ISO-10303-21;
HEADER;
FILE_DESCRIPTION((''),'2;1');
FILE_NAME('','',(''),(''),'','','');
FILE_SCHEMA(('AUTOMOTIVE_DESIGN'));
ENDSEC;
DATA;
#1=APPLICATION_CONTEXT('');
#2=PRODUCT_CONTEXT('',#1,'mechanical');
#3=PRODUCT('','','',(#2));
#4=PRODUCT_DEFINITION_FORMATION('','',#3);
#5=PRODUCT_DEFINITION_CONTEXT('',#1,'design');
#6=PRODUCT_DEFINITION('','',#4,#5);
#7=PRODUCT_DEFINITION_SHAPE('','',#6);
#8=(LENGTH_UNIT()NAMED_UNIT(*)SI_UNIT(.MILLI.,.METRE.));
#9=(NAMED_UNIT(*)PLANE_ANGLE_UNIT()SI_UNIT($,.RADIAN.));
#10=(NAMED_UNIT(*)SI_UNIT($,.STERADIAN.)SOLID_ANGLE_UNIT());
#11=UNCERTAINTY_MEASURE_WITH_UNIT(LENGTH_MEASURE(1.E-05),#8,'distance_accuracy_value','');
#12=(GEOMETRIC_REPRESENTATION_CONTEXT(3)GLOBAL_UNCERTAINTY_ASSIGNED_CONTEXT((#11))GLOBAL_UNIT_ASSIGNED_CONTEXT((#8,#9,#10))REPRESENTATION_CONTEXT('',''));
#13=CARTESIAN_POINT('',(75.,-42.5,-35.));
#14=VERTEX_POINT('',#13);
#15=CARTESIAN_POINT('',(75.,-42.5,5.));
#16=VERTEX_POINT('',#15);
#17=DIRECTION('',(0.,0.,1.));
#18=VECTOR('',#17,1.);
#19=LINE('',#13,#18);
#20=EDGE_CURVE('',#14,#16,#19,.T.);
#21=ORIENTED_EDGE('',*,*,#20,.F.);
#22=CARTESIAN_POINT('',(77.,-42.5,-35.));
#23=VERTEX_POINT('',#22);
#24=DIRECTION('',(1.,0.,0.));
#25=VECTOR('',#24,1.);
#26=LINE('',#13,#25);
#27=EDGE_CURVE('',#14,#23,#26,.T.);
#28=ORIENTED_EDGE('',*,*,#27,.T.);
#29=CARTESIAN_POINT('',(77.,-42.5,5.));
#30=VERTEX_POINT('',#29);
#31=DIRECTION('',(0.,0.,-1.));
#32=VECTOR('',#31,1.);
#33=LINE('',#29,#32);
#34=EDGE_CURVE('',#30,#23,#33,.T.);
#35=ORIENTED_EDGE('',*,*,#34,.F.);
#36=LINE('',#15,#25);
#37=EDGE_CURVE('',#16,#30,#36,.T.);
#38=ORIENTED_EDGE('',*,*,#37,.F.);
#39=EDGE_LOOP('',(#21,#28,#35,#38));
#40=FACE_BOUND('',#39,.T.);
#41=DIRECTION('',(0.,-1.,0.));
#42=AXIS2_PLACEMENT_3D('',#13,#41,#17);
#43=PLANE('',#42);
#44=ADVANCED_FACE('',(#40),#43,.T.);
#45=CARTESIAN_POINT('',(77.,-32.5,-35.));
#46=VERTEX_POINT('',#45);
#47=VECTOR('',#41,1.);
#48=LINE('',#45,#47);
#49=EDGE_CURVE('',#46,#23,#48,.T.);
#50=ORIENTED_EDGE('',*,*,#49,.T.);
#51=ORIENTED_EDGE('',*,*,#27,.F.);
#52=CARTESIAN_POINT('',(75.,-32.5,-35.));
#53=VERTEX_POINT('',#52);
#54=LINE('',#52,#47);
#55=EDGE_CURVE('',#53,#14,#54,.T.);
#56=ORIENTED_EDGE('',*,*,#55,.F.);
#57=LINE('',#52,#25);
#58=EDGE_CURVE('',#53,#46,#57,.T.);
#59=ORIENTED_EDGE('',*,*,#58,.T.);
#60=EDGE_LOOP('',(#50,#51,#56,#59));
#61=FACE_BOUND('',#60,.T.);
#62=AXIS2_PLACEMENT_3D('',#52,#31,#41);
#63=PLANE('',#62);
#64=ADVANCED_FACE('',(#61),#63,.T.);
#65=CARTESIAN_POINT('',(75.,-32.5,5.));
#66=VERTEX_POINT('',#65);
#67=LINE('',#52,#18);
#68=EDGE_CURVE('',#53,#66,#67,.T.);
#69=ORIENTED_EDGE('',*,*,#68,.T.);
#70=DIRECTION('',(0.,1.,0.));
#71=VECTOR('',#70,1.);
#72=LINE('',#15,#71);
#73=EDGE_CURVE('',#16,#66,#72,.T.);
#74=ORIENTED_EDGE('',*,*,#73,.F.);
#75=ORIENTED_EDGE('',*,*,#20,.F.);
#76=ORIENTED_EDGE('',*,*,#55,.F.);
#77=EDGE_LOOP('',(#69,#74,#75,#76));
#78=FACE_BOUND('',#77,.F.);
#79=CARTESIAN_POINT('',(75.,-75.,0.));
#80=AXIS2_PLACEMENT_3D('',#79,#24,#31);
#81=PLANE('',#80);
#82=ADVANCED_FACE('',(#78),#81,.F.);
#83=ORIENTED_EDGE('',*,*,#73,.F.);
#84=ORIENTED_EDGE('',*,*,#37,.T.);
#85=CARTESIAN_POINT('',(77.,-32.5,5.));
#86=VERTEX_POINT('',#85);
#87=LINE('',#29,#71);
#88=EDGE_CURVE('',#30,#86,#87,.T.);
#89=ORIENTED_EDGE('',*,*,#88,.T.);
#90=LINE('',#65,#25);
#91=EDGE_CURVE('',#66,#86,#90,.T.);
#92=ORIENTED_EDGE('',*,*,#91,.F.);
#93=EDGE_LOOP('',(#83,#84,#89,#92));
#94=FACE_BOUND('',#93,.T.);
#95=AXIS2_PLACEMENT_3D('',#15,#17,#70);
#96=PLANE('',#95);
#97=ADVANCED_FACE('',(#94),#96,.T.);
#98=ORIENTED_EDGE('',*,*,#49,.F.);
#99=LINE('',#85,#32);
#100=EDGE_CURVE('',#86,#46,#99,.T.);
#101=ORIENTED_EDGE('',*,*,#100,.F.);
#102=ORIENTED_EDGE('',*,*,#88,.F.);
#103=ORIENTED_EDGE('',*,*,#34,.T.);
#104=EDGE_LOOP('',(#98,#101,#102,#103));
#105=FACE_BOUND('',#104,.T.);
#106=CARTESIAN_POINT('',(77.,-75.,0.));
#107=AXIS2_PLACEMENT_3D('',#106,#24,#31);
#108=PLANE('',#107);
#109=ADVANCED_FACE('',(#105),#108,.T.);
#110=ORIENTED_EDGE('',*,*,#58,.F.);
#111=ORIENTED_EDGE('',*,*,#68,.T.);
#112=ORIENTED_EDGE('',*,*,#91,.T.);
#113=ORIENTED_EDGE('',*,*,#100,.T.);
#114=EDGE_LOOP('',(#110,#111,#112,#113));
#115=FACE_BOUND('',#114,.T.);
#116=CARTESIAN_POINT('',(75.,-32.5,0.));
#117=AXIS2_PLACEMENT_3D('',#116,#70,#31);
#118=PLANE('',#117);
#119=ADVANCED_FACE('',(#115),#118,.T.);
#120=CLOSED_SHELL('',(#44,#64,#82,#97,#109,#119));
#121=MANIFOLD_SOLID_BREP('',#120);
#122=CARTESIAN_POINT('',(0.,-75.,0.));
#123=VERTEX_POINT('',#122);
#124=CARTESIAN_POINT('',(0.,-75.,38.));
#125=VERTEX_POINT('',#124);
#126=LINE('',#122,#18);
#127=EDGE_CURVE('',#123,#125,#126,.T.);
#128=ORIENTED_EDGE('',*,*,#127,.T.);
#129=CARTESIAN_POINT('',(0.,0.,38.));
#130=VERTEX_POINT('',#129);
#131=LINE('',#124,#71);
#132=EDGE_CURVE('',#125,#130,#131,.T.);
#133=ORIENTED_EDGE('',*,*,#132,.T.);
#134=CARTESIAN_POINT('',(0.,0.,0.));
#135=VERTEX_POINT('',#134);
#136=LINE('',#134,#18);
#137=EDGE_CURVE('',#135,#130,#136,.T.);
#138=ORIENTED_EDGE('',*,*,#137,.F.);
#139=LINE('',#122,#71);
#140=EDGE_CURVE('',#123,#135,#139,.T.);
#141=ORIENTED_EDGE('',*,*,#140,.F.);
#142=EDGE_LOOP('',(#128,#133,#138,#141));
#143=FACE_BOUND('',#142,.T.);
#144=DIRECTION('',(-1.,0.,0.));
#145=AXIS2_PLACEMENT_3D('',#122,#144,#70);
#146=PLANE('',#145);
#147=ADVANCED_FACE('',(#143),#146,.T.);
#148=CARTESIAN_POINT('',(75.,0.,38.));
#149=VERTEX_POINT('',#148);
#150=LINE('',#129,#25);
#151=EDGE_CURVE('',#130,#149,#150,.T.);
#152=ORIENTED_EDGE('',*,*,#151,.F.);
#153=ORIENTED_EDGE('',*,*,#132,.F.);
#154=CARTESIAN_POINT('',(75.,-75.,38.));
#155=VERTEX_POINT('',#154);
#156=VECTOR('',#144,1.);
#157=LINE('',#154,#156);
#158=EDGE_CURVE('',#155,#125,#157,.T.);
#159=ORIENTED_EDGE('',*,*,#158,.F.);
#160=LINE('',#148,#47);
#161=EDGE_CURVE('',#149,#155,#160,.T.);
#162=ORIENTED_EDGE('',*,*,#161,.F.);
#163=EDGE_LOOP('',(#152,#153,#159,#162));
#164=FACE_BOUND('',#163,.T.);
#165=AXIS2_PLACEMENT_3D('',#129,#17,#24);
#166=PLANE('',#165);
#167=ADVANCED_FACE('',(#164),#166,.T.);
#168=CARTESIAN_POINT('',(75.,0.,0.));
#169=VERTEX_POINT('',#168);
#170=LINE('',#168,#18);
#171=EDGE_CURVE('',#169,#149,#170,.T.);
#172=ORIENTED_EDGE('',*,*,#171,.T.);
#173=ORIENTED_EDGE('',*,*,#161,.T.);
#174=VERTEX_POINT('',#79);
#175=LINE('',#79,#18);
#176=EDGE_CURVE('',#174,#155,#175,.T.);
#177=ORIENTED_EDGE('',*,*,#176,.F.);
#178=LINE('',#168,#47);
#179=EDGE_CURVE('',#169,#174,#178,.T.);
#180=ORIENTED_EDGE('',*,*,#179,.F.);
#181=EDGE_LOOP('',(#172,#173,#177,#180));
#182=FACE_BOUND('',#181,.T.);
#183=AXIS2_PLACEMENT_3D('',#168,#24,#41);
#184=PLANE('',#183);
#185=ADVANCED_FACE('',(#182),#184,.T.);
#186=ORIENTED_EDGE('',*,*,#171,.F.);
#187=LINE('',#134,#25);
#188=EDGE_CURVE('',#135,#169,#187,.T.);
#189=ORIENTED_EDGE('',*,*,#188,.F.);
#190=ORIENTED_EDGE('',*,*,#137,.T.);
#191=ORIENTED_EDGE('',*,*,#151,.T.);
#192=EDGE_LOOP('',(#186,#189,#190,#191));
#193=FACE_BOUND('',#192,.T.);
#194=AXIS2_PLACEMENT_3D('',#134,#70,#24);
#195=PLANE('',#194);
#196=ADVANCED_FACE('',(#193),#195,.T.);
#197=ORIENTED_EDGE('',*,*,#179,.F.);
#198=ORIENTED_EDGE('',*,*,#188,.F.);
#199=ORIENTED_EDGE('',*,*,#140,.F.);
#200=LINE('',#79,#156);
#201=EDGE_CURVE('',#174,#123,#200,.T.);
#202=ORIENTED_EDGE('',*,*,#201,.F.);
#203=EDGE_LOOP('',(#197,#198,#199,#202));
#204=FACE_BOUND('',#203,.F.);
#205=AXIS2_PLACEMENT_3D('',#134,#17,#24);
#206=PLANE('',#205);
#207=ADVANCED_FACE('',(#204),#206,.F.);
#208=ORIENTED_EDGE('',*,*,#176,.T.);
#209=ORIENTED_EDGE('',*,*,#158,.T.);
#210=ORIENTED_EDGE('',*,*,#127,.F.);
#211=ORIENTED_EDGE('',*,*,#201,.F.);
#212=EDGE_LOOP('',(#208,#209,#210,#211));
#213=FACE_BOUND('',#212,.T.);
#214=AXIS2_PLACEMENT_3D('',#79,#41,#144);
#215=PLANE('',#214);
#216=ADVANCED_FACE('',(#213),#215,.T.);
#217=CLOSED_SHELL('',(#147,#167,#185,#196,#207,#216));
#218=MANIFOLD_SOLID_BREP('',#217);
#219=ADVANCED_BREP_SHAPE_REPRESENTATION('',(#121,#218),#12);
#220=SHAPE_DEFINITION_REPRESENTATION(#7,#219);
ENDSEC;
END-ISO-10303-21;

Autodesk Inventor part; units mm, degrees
ref_plane "YZ Plane" through (0, 0, 0) normal (1, 0, 0) x (0, 1, 0)
ref_plane "XZ Plane" through (0, 0, 0) normal (0, 1, 0) x (-1, 0, 0)
ref_plane "XY Plane" through (0, 0, 0) normal (0, 0, 1) x (1, 0, 0)
sketch "Sketch1" plane through (0, 0, 0) normal (0, 0, 1) x (1, 0, 0)
  line L0 (0, 0) -> (75, 0)
  line L1 (75, 0) -> (75, -75)
  line L2 (75, -75) -> (0, -75)
  line L3 (0, -75) -> (0, 0)
  dimension "d0" = 75
  dimension "d1" = 75
extrude "Extrusion1" add sketch "Sketch1" along normal blind 38
sketch "Sketch2" plane through (75, -75, 0) normal (1, 0, 0) x (0, 0, -1)
  line L0 (0, 75) -> (0, 0) projected
  line L1 (0, 75) -> (-38, 75) projected
  line L2 (0, 0) -> (-38, 0) projected
  line L3 (35, 32.5) -> (-5, 32.5)
  line L4 (-5, 32.5) -> (-5, 42.5)
  line L5 (-5, 42.5) -> (35, 42.5)
  line L6 (35, 42.5) -> (35, 32.5)
  dimension "d4" = 40
  dimension "d5" = 10
  dimension "d6" = 5
  dimension "d7" = 32.5
  dimension "d8" = 32.5
extrude "Extrusion2" add sketch "Sketch2" along normal blind 2 separate body
ref_plane "Work Plane1" through (38.5, -75, 0) normal (1, 0, 0) x (0, 0, -1)
ref_plane "Work Plane2" through (0, -37.5, 0) normal (0, -1, 0) x (1, 0, 0)
ref_plane "Work Plane3" through (0, 0, 1.5) normal (0, 0, 1) x (1, 0, 0)
equation "\"d7\" = d8"
properties part number "Assembly Mount Mount"
